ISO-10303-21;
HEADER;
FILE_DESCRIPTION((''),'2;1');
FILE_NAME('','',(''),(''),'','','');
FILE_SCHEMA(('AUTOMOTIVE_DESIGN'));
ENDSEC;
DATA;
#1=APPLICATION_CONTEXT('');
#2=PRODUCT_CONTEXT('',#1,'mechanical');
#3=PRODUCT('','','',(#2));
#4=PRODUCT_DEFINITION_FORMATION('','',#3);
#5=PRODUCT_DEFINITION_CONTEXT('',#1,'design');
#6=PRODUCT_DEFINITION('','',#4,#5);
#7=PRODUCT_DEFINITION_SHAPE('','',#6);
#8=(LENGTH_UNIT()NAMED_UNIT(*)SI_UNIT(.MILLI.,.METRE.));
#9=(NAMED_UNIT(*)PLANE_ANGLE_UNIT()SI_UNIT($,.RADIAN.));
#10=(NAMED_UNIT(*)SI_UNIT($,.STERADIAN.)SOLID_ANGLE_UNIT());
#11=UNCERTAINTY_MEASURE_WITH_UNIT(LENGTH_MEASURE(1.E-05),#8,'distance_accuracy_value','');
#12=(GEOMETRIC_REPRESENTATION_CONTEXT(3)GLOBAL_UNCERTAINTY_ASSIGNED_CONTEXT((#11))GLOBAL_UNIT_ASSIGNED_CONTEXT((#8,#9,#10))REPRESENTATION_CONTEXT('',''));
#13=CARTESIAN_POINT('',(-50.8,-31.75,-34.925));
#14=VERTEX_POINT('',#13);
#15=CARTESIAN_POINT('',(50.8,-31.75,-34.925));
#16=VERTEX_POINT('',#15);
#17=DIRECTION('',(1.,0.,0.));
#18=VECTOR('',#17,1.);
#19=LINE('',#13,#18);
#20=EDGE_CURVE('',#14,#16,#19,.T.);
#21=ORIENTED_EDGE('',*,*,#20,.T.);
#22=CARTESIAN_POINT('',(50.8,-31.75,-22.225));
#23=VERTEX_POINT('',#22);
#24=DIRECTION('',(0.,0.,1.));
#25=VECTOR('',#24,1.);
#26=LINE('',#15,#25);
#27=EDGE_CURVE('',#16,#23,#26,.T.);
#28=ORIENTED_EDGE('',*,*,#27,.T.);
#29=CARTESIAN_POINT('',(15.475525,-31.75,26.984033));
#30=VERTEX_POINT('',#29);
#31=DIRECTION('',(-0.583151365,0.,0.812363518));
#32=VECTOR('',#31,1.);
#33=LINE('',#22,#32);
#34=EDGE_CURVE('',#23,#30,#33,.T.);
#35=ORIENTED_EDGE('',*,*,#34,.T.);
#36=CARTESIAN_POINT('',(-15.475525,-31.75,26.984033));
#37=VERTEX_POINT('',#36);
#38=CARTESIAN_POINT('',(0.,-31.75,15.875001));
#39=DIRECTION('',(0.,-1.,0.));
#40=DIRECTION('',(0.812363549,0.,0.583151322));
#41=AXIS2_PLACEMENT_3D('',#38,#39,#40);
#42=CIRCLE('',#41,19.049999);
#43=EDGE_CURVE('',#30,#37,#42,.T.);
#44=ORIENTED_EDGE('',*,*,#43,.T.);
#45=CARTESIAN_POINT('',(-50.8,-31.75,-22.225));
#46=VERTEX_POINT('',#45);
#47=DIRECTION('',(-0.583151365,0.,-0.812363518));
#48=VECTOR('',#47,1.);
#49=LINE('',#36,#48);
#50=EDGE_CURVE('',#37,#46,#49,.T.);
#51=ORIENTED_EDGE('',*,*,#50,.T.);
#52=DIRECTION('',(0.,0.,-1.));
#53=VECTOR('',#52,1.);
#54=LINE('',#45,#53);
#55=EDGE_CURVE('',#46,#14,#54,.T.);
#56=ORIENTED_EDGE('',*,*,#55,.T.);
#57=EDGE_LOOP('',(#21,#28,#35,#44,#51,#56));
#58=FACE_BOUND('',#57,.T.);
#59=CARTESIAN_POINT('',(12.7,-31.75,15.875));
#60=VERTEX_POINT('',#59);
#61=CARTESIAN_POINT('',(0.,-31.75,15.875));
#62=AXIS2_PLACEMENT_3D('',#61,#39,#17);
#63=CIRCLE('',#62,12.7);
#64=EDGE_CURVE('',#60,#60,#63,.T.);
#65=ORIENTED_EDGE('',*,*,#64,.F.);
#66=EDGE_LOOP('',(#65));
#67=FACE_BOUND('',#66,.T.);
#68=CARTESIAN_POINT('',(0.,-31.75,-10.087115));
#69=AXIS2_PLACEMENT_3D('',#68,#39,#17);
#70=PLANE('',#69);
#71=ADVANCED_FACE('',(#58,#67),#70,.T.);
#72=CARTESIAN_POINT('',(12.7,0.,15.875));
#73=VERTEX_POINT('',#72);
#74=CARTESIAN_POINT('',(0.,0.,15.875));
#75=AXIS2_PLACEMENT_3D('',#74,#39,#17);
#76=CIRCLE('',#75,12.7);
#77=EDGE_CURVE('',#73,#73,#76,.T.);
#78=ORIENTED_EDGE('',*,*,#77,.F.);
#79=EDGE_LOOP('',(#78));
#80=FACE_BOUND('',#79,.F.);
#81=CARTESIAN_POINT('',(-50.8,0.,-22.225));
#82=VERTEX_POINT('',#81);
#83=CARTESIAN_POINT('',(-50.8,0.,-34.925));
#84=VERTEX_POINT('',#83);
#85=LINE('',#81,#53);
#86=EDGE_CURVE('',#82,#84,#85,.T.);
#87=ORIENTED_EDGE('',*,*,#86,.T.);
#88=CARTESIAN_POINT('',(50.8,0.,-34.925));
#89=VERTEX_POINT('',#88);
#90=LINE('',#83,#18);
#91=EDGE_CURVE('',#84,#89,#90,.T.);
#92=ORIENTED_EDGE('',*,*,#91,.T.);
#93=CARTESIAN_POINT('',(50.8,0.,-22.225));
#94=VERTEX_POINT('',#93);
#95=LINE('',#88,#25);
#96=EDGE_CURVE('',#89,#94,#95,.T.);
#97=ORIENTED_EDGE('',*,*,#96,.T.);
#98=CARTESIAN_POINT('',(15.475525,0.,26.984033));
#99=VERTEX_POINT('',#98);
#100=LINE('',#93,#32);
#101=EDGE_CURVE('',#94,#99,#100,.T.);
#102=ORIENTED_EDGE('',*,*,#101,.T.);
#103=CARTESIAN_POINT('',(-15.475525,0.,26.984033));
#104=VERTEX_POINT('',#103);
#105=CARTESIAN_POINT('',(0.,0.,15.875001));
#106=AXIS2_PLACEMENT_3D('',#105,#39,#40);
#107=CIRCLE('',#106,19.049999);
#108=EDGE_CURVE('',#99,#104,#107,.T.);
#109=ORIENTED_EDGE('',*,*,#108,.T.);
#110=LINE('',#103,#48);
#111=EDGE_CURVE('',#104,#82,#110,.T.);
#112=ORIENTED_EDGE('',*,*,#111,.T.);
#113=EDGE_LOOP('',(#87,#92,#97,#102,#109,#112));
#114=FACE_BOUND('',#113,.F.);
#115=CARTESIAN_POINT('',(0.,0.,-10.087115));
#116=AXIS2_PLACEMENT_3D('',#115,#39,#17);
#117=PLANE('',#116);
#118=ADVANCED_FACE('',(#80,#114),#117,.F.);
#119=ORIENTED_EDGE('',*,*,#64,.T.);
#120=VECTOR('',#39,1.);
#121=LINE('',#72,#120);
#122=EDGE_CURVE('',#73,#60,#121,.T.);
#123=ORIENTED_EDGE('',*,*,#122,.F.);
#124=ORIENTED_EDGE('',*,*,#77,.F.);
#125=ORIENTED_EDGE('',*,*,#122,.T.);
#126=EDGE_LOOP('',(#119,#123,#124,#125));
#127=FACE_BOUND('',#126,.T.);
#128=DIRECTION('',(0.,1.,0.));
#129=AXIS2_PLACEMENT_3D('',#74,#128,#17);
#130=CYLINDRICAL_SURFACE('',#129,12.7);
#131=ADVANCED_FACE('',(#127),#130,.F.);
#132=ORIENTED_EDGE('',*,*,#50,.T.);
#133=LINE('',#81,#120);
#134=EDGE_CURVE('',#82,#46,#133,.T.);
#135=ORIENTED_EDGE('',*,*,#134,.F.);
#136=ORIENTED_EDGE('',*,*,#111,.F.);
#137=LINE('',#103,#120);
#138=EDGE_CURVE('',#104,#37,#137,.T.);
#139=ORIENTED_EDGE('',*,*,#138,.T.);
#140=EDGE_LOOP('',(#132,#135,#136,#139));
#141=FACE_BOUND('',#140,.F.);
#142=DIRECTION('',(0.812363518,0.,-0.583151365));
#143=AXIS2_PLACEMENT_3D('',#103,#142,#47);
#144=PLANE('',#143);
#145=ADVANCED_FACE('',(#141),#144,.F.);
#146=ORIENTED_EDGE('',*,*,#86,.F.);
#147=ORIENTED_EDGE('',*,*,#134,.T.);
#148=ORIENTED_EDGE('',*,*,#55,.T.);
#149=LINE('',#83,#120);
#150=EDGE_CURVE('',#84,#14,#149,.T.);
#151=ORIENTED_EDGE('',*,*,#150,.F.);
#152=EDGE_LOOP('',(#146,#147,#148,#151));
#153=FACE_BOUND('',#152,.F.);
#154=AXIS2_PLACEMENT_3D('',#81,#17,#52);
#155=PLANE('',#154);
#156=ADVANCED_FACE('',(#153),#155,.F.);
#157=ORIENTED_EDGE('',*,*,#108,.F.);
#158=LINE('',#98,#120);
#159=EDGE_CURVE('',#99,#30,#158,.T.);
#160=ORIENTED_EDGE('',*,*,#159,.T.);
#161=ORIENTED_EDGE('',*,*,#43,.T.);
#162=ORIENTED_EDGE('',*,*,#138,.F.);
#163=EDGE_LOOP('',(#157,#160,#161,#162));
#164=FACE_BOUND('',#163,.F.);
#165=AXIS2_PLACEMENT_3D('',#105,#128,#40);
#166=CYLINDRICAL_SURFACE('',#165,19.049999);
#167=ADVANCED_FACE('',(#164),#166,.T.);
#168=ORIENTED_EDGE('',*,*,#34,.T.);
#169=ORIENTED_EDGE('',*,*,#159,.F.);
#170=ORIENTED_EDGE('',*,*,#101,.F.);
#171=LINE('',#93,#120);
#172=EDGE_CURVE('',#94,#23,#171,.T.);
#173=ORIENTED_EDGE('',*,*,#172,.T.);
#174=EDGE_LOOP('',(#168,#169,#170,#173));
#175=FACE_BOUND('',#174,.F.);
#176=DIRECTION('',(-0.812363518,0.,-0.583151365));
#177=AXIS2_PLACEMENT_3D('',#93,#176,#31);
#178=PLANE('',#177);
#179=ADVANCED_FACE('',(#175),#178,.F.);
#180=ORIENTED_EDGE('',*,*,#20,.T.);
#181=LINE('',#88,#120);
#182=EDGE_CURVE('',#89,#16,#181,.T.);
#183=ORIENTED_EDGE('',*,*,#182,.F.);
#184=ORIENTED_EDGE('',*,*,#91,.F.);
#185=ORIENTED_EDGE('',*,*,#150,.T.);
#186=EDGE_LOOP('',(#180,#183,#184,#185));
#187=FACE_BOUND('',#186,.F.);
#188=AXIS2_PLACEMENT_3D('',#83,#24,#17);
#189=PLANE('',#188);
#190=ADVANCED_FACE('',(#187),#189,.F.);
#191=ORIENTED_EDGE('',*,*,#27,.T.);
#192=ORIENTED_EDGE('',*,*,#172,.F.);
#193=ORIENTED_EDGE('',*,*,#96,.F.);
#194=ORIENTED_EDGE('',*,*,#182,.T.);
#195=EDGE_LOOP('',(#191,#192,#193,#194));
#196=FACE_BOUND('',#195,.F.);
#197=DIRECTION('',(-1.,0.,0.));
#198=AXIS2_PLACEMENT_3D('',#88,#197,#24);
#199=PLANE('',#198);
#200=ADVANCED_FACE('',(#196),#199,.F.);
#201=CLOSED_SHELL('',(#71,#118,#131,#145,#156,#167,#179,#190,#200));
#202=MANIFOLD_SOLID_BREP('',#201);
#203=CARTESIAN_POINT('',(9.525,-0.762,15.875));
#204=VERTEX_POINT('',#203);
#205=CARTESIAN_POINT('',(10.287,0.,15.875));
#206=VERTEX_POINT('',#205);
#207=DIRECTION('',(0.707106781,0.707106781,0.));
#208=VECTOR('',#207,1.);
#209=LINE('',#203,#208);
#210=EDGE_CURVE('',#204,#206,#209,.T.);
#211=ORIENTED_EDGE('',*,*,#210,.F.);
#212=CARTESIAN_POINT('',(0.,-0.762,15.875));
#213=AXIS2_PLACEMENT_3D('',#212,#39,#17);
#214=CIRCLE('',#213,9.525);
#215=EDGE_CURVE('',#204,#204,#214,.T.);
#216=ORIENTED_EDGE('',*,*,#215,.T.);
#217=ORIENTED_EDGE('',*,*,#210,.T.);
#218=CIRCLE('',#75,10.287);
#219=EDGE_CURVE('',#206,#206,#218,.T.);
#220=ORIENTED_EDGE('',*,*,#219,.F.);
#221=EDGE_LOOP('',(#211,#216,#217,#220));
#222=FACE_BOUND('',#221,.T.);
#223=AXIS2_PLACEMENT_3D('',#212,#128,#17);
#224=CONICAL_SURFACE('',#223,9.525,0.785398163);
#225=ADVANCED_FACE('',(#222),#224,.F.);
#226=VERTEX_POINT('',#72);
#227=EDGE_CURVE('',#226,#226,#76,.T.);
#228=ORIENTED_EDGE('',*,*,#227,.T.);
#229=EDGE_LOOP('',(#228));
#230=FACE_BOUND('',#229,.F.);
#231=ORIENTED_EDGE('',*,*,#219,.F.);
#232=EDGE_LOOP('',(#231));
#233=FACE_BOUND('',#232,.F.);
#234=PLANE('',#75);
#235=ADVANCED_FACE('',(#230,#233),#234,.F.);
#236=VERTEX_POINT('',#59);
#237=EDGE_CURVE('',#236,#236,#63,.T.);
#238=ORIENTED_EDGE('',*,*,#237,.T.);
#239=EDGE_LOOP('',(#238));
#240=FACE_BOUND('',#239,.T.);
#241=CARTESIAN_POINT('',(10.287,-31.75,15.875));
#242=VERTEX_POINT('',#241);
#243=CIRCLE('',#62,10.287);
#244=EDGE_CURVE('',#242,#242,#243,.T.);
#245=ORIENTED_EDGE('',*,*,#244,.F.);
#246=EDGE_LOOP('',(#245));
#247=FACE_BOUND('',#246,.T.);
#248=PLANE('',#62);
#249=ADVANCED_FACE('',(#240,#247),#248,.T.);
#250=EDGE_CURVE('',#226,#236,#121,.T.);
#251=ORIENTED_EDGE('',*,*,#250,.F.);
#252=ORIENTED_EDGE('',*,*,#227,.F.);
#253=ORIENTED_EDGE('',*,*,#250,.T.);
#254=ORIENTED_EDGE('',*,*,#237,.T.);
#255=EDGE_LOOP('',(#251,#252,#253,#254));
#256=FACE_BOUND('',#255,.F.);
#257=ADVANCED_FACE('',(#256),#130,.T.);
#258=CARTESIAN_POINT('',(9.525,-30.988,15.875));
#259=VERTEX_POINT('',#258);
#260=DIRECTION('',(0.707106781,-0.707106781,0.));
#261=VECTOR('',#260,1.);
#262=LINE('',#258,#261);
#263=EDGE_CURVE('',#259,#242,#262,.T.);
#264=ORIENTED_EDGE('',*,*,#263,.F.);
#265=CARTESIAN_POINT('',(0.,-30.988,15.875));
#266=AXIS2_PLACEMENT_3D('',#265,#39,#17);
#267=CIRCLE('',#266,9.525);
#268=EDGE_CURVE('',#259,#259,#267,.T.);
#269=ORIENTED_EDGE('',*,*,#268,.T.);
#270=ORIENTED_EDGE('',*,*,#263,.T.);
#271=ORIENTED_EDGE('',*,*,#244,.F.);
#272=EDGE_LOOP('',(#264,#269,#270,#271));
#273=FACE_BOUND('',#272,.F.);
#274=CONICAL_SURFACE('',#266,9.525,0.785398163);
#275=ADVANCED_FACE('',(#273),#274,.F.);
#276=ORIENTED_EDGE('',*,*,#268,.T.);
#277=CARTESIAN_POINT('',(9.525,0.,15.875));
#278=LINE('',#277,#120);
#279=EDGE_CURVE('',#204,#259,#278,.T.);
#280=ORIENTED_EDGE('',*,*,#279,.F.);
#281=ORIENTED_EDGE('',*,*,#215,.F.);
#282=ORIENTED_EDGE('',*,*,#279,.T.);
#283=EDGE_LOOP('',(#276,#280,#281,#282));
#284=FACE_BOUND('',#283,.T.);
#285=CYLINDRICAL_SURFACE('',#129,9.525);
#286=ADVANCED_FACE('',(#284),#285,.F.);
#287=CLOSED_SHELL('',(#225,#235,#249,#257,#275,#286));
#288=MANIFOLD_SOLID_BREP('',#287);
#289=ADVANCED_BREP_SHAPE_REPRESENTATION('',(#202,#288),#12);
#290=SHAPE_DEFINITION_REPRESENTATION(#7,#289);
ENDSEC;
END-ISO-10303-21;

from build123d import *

# Parameters (mm, degrees)
F0_R     = 12.7
F1_DEPTH = 31.75
F0_R_2   = 9.525
F2_DEPTH = 31.75
F3_SIZE  = 0.762


with BuildPart() as f1:
    # F0 (on Front) → F1 (new body)
    with BuildSketch(Plane.XZ):
        with BuildLine():
            Line((-50.8, -22.225), (-50.8, -34.925))
            Line((-50.8, -34.925), (50.8, -34.925))
            Line((50.8, -34.925), (50.8, -22.225))
            Line((50.8, -22.225), (15.475525, 26.984033))
            ThreePointArc((15.475525, 26.984033), (0, 34.925), (-15.475525, 26.984033))
            Line((-15.475525, 26.984033), (-50.8, -22.225))
        make_face()
        with Locations((0, 15.875)):
            Circle(F0_R, mode=Mode.SUBTRACT)
    extrude(amount=F1_DEPTH)


with BuildPart() as f2:
    # F0 (on Front) → F2 (new body)
    with BuildSketch(Plane.XZ):
        with Locations((0, 15.875)):
            Circle(F0_R)
        with Locations((0, 15.875)):
            Circle(F0_R_2, mode=Mode.SUBTRACT)
    extrude(amount=F2_DEPTH)

    # F3
    f3_edges = [f2.edges().sort_by_distance(p)[0] for p in [
        (-9.525, -31.75, 15.875),
        (-9.525, 0, 15.875),
    ]]
    chamfer(f3_edges, length=F3_SIZE)


solid = Compound([f1.part, f2.part])
